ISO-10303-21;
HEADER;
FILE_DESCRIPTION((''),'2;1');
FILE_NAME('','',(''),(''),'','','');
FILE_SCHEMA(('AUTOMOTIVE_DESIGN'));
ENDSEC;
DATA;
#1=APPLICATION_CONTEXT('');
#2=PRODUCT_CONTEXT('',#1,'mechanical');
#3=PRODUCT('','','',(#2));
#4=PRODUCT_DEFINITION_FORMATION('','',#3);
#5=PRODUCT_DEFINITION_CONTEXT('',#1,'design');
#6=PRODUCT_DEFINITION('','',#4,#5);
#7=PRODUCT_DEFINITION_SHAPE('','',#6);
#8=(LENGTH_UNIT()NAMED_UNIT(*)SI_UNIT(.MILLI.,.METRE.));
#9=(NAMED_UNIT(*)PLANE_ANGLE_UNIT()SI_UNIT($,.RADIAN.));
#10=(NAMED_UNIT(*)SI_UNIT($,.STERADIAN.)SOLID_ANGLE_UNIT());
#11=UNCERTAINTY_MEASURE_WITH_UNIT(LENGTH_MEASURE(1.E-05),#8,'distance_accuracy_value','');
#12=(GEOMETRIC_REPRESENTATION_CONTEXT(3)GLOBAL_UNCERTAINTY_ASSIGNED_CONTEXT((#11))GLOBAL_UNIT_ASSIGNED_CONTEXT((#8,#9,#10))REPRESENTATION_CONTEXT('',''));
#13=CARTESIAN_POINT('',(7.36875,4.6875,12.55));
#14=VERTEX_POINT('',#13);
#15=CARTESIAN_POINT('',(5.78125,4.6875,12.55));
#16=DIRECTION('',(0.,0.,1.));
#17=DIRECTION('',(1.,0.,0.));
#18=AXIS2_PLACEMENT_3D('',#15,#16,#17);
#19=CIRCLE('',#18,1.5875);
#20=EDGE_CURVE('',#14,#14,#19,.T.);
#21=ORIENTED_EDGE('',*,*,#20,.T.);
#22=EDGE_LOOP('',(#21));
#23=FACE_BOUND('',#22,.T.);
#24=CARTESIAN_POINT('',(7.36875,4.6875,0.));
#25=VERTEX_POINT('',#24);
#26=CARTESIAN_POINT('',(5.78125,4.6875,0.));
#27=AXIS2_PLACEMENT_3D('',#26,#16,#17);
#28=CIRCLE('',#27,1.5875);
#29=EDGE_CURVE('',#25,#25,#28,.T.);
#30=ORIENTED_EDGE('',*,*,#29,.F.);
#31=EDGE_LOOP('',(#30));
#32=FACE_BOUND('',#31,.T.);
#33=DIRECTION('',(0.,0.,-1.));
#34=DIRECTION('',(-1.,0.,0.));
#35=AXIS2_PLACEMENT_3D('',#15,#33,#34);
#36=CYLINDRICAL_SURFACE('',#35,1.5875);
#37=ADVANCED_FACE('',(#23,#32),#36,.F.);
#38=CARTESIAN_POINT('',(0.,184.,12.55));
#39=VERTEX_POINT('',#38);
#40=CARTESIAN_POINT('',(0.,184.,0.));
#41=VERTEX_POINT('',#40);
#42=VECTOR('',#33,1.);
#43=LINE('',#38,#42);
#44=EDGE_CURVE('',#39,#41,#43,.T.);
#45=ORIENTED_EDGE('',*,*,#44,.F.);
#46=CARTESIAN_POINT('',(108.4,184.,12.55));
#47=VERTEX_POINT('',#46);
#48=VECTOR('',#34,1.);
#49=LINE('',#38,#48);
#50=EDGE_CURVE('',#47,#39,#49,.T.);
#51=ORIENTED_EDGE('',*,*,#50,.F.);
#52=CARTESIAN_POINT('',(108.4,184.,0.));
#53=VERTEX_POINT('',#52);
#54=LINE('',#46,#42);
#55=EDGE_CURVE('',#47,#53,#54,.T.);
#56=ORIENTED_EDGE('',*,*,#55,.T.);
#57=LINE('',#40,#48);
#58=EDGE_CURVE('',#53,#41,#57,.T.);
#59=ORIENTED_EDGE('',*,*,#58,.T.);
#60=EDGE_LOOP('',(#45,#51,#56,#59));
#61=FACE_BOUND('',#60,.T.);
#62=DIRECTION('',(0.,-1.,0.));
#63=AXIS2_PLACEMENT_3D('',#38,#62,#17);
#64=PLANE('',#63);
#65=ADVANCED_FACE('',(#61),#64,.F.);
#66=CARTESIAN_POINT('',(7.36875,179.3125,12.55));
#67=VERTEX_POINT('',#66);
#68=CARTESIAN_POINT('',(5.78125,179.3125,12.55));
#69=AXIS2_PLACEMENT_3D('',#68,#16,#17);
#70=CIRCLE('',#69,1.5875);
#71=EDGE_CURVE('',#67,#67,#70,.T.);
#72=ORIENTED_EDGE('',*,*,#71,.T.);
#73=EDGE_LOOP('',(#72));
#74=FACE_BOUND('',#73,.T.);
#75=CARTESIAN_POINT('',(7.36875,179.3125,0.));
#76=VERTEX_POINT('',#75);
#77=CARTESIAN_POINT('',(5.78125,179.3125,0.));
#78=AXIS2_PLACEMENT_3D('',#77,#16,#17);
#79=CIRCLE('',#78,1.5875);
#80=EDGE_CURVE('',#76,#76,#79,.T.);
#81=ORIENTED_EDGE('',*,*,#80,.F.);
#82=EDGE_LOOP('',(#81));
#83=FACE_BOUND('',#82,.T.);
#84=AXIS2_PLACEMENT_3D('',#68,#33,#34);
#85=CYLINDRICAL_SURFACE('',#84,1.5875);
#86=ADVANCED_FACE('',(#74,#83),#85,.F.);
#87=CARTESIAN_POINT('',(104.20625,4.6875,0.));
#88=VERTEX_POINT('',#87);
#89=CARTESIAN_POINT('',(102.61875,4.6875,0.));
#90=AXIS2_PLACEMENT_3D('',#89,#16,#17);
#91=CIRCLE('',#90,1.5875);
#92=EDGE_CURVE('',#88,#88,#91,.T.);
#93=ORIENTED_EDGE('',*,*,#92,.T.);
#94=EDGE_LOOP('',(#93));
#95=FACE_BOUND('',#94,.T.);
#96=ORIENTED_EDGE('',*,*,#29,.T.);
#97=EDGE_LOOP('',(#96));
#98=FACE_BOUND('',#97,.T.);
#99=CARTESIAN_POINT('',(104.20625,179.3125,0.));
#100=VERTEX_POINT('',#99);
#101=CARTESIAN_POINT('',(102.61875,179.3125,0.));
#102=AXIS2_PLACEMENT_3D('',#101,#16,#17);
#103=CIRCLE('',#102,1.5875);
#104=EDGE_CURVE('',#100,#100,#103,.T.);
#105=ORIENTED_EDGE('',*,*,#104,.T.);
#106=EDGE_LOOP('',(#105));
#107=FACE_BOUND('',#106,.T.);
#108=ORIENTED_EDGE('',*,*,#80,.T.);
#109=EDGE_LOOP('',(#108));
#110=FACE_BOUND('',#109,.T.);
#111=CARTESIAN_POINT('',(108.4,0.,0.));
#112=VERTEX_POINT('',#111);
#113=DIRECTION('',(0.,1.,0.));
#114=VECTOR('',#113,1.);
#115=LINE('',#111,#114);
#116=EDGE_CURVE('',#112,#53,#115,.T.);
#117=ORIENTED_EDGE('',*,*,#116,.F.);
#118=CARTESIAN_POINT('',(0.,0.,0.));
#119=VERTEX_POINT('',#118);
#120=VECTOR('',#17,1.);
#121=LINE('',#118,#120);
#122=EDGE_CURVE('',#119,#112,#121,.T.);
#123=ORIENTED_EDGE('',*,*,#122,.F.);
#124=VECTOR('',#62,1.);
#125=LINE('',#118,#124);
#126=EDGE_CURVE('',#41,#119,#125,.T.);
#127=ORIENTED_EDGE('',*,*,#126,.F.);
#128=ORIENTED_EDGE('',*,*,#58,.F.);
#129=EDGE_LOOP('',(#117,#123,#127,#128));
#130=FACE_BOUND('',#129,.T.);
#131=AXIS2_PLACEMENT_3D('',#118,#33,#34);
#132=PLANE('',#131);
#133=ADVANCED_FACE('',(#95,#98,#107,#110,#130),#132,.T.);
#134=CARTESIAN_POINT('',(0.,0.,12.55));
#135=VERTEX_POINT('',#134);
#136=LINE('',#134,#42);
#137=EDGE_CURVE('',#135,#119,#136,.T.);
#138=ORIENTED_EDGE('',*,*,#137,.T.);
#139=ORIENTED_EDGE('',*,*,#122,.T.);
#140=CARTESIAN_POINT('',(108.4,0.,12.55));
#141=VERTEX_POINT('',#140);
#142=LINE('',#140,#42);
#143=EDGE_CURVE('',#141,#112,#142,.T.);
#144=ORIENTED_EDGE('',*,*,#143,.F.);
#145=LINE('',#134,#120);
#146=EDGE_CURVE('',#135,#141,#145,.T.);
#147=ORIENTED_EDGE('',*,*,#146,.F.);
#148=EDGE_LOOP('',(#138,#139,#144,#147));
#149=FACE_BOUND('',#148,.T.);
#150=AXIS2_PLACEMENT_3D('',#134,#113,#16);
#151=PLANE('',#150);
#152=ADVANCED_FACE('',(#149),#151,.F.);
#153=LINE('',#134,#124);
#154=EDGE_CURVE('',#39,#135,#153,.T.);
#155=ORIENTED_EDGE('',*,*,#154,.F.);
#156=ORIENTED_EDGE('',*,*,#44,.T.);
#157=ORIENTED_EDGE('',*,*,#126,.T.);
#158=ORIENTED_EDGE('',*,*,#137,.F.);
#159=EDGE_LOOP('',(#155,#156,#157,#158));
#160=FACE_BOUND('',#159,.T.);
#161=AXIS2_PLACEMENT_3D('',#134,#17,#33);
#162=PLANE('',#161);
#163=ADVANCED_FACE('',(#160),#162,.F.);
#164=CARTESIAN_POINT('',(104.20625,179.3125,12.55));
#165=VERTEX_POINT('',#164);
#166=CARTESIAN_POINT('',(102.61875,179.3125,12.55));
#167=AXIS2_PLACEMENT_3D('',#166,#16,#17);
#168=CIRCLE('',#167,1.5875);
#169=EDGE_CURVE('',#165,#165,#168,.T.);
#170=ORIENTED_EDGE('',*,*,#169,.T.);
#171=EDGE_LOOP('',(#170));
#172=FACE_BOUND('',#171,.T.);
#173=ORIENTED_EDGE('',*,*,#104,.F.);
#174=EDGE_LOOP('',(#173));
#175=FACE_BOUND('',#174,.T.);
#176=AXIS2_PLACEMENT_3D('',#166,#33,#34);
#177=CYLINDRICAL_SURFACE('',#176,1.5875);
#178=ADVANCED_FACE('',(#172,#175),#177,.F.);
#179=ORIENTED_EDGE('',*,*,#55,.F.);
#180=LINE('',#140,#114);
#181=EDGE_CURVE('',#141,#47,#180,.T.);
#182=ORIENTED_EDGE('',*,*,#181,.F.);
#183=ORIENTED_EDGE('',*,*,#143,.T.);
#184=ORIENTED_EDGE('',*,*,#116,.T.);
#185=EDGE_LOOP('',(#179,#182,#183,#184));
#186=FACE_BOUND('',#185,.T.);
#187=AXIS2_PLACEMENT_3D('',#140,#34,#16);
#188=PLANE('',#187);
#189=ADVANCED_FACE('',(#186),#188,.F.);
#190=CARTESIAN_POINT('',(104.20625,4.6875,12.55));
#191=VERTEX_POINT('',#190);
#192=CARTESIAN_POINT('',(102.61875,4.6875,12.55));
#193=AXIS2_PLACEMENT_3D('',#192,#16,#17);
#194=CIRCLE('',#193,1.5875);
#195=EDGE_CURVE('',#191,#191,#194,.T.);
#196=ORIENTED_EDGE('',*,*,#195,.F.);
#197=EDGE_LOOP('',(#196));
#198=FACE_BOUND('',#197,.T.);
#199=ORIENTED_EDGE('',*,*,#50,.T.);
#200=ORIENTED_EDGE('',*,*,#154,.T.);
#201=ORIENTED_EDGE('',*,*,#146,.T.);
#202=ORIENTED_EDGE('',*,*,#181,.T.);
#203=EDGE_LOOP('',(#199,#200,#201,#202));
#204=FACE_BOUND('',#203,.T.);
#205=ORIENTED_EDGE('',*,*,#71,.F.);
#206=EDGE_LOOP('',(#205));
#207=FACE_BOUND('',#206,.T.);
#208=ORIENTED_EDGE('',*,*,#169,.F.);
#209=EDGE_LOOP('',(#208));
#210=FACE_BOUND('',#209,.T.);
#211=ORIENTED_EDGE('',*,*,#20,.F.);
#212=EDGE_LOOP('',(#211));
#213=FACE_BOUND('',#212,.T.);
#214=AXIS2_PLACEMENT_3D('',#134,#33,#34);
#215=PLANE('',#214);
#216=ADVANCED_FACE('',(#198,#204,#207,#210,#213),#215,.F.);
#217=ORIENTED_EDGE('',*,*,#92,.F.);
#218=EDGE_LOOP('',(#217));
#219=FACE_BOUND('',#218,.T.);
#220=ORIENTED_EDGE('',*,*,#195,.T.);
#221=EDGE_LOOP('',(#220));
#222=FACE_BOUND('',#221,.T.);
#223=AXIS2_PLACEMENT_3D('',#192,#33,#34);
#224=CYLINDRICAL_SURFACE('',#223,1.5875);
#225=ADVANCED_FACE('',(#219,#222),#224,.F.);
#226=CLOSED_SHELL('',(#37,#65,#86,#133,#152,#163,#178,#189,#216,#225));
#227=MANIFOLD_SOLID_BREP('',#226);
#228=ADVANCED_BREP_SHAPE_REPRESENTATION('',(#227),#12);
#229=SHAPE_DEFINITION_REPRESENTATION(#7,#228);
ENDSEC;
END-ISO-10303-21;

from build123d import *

# Parameters (mm, degrees)
SKETCH1_W           = 108.4
SKETCH1_H           = 184
SKETCH1_R           = 1.5875
BOSS_EXTRUDE1_DEPTH = 12.55


with BuildPart() as part:
    # Sketch1 → Boss-Extrude1 (new body)
    with BuildSketch(Plane.XY):
        with Locations((54.2, 92)):
            Rectangle(SKETCH1_W, SKETCH1_H)
        with Locations((5.78125, 4.6875)):
            Circle(SKETCH1_R, mode=Mode.SUBTRACT)
        with Locations((102.61875, 4.6875)):
            Circle(SKETCH1_R, mode=Mode.SUBTRACT)
        with Locations((5.78125, 179.3125)):
            Circle(SKETCH1_R, mode=Mode.SUBTRACT)
        with Locations((102.61875, 179.3125)):
            Circle(SKETCH1_R, mode=Mode.SUBTRACT)
    extrude(amount=BOSS_EXTRUDE1_DEPTH)


solid = part.part
